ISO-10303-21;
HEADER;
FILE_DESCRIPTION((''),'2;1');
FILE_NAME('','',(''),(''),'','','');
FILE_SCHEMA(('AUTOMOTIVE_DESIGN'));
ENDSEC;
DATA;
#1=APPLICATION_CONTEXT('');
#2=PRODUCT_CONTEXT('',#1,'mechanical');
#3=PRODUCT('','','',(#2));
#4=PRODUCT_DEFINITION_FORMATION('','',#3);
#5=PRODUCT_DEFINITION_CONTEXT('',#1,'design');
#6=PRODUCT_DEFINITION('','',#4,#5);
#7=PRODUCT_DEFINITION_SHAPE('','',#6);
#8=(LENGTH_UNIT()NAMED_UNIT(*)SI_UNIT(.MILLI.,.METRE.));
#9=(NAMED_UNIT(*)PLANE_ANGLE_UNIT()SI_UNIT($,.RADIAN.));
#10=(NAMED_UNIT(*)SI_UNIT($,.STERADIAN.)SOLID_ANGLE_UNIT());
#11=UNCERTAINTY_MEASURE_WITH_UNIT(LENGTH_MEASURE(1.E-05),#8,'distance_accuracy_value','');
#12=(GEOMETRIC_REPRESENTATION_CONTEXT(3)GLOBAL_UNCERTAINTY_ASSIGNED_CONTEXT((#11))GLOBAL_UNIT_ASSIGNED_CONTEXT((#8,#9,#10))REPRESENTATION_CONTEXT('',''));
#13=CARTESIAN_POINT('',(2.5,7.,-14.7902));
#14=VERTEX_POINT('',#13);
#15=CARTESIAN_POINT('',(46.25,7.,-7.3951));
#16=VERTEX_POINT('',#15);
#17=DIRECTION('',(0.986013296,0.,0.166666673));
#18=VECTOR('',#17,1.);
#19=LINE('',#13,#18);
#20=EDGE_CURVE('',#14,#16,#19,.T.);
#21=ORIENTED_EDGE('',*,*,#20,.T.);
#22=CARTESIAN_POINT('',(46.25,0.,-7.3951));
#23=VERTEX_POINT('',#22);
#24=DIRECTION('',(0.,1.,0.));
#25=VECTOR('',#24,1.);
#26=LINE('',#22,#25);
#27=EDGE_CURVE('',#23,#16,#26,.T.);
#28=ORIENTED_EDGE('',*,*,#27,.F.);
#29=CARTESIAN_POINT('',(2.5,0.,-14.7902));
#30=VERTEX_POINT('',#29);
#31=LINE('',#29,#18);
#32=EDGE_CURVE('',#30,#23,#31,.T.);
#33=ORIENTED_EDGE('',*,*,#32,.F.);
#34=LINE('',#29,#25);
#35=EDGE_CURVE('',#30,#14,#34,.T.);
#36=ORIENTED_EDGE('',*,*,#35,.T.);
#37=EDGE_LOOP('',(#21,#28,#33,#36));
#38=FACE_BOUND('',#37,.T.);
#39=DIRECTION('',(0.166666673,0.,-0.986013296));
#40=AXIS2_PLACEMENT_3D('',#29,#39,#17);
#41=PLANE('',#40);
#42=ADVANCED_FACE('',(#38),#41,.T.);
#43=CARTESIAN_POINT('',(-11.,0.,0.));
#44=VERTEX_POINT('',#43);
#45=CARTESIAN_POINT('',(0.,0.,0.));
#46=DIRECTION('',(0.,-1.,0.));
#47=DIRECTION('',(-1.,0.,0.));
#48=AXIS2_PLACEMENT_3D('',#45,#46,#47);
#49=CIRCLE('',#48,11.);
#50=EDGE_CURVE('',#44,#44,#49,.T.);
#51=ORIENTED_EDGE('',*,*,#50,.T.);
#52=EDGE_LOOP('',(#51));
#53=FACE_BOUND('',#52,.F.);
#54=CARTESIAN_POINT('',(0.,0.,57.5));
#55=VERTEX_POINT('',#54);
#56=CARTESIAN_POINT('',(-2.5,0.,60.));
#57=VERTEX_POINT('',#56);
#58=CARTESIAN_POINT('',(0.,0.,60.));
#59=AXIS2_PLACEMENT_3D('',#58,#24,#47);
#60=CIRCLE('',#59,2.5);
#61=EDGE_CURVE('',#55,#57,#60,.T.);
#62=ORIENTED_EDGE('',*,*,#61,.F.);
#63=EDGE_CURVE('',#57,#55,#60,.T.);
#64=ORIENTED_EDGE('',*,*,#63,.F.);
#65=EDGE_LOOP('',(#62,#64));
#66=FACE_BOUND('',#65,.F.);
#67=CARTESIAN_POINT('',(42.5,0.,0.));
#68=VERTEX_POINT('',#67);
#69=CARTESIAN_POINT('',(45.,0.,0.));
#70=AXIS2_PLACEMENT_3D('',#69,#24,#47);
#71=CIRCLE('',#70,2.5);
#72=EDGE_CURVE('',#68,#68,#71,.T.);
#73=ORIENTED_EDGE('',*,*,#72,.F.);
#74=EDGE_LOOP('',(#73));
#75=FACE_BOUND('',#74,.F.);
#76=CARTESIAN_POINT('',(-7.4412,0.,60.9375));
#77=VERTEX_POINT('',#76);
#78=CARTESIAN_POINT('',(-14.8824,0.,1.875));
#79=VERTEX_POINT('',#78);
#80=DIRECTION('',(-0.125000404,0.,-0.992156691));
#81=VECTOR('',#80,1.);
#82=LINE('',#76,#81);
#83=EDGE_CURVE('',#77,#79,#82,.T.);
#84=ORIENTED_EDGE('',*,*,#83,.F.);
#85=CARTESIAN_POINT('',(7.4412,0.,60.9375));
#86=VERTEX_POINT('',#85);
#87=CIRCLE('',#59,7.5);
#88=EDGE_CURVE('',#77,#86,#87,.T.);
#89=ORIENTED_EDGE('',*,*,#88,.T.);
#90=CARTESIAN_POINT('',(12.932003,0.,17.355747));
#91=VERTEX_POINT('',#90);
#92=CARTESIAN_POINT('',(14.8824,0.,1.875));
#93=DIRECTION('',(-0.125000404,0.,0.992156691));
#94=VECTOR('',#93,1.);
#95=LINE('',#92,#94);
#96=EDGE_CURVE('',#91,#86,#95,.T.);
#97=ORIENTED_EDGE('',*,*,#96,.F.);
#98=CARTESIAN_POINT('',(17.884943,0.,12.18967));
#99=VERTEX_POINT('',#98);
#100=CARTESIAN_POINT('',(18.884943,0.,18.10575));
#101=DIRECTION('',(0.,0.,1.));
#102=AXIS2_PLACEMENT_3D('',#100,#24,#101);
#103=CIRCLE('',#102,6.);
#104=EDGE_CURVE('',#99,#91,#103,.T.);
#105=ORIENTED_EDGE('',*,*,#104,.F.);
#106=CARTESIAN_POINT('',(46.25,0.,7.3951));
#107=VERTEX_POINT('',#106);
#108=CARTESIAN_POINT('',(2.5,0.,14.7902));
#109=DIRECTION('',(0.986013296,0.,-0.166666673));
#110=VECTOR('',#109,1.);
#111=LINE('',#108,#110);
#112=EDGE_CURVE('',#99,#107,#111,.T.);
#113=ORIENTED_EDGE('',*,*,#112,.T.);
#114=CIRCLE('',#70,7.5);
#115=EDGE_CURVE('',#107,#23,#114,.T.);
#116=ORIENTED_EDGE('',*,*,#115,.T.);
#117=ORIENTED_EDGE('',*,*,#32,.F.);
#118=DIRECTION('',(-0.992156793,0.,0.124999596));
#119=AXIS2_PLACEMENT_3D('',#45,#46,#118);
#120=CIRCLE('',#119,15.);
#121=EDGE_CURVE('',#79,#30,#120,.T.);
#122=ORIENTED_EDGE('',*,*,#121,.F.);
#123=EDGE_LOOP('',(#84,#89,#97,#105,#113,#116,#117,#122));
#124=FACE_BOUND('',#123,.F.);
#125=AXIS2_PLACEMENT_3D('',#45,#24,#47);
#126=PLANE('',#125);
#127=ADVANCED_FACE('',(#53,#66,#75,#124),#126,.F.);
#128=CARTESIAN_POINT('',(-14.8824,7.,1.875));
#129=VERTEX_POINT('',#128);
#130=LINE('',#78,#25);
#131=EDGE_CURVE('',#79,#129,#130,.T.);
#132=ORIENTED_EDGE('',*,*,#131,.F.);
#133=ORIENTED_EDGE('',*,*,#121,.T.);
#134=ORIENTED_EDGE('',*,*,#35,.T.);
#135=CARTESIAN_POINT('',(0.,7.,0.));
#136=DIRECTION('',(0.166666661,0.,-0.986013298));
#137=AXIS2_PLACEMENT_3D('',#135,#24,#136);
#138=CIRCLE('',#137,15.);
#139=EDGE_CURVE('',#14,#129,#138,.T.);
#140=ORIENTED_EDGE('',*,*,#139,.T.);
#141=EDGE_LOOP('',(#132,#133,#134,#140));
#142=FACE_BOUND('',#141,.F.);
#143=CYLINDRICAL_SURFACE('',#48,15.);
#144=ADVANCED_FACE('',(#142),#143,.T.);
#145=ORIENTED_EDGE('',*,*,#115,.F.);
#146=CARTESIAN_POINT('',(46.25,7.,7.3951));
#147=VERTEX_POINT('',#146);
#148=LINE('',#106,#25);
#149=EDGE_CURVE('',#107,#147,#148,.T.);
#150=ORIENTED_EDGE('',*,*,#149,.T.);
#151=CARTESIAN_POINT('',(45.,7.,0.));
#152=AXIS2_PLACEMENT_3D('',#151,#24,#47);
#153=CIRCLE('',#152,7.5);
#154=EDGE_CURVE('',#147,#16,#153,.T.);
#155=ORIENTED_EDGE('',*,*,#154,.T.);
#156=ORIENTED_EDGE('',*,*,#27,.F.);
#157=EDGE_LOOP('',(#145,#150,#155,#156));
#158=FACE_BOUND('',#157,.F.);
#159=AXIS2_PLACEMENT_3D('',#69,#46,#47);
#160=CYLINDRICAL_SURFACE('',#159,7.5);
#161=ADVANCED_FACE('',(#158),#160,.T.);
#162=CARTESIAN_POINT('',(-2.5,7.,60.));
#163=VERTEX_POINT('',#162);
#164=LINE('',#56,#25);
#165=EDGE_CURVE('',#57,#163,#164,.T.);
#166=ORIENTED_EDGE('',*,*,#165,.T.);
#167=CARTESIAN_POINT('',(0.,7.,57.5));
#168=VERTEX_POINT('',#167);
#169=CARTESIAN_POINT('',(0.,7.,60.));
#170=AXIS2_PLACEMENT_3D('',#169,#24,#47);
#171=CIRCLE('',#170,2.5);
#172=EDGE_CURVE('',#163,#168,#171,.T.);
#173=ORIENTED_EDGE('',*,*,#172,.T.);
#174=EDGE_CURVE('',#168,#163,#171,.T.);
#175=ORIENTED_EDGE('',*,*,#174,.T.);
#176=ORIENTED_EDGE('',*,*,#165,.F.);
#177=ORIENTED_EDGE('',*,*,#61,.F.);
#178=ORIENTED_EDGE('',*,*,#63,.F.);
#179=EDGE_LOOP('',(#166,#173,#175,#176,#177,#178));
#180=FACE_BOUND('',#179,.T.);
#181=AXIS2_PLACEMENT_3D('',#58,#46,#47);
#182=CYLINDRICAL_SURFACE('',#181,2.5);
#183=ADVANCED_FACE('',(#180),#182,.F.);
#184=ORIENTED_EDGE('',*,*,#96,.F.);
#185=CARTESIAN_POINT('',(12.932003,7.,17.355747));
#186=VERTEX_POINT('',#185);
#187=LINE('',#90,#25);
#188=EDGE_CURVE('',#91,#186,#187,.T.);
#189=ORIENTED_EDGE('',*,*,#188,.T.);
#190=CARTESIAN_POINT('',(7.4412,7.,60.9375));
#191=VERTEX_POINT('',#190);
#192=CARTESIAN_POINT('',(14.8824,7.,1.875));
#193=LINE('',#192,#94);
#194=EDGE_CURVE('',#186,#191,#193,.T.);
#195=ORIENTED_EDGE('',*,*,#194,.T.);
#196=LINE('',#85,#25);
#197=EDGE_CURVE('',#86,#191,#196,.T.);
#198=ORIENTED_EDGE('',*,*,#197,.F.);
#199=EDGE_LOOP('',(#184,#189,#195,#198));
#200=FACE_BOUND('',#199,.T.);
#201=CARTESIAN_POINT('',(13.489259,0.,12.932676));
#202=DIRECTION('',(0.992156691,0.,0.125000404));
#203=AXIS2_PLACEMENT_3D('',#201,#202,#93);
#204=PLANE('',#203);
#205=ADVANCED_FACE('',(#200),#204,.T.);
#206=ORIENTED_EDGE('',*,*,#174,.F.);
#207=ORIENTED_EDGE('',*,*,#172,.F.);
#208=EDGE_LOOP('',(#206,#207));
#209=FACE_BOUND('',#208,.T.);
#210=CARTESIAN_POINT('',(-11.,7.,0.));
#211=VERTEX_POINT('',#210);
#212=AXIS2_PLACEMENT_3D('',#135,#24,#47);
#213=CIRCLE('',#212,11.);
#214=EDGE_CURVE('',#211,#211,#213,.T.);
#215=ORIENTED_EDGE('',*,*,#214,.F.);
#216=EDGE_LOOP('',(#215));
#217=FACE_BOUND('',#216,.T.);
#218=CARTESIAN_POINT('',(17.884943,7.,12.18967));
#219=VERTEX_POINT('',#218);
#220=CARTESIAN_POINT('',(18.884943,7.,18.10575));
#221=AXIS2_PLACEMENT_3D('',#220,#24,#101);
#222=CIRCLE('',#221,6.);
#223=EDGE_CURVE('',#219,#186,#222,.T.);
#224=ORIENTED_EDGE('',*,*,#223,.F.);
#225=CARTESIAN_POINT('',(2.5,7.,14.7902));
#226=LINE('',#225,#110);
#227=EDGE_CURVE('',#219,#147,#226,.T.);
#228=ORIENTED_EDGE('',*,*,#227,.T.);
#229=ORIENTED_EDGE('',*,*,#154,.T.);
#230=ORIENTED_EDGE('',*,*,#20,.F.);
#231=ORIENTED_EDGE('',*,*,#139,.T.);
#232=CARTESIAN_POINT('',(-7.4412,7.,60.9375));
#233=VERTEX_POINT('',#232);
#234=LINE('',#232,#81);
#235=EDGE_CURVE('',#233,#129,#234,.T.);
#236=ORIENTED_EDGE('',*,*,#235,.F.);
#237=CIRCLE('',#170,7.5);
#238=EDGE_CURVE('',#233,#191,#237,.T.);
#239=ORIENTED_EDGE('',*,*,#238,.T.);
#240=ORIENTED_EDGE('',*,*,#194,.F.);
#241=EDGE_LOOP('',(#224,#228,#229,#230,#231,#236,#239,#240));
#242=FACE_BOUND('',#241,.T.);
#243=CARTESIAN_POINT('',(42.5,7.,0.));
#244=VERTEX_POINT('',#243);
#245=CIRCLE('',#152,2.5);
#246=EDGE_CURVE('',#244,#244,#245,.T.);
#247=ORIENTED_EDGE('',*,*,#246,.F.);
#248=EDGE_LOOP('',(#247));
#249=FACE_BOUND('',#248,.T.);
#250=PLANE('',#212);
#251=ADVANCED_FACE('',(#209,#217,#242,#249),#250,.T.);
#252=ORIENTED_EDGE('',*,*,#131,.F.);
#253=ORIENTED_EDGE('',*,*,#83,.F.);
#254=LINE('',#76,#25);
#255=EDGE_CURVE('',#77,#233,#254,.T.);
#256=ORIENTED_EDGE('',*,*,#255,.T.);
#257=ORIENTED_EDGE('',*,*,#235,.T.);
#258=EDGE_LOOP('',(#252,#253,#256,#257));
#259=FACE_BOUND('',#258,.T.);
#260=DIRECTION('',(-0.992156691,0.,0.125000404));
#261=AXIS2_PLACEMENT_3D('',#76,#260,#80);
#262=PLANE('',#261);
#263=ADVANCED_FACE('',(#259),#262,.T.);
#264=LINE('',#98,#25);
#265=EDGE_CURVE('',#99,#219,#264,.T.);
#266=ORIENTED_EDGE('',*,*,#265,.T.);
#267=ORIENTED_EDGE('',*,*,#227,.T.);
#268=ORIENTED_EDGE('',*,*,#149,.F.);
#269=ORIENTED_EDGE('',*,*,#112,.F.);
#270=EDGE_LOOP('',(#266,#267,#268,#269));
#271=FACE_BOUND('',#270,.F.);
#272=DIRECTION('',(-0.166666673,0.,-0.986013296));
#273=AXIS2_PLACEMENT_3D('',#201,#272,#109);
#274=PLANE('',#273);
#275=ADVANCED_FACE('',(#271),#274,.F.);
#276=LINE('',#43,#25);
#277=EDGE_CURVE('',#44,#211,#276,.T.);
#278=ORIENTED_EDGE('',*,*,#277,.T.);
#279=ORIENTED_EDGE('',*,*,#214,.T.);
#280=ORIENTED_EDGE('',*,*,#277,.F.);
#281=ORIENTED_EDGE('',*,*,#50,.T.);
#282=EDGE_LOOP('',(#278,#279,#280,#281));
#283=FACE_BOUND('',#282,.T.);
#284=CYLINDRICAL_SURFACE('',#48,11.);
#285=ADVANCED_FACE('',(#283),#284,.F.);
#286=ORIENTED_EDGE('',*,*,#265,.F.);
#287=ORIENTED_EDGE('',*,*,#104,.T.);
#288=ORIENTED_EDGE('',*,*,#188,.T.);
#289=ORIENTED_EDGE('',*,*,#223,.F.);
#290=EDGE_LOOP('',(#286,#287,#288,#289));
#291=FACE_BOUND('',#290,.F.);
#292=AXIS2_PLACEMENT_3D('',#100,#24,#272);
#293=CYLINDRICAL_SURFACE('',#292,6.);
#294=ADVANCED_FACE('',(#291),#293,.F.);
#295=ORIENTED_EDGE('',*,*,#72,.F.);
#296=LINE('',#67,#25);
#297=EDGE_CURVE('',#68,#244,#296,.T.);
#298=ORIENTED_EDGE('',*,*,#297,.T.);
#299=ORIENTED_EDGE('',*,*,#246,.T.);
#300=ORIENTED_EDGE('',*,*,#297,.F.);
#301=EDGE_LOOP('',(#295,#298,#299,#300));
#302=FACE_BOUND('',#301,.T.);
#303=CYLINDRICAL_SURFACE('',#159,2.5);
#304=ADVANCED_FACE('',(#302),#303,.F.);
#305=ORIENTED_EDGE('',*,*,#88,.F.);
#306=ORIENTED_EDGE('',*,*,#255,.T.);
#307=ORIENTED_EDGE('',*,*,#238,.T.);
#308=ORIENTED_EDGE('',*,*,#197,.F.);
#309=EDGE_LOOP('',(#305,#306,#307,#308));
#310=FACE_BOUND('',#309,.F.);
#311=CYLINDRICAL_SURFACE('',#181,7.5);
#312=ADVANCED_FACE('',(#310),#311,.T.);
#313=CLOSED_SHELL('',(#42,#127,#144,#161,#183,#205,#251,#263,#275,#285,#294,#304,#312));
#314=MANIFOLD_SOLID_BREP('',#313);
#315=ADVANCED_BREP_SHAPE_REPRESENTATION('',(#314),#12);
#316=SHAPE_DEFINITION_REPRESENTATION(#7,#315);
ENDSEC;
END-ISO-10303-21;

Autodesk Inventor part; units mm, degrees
ref_plane "YZ Plane" through (0, 0, 0) normal (1, 0, 0) x (0, 1, 0)
ref_plane "XZ Plane" through (0, 0, 0) normal (0, 1, 0) x (-1, 0, 0)
ref_plane "XY Plane" through (0, 0, 0) normal (0, 0, 1) x (1, 0, 0)
sketch "Sketch1" plane through (0, 0, 0) normal (0, 1, 0) x (-1, 0, 0)
  circle A0 centre (0, 0) radius 11
  circle A1 centre (0, 0) radius 15
  circle A2 centre (0, 60) radius 7.5
  circle A3 centre (-45, 0) radius 7.5
  line L0 (0, 60) -> (0, 0)
  line L1 (0, 0) -> (-45, 0)
  line L2 (7.4412, 60.9375) -> (14.8824, 1.875)
  line L3 (-14.8824, 1.875) -> (-7.4412, 60.9375)
  line L4 (-2.5, 14.7902) -> (-46.25, 7.3951)
  line L5 (-2.5, -14.7902) -> (-46.25, -7.3951)
  circle A4 centre (0, 60) radius 2.5
  circle A5 centre (-45, 0) radius 2.5
  point P0 (-13.4892, 12.9327)
  dimension "d0" = 22
  dimension "d1" = 30
  dimension "d2" = 15
  dimension "d3" = 15
  dimension "d4" = 45
  dimension "d5" = 60
  dimension "d6" = 5
  dimension "d7" = 5
extrude "Extrusion1" add sketch "Sketch1" along normal blind 7 contours A0 L0 A1 L1 | A0 L1 A1 L0 | L0 A2 L2 A1 | A1 L4 L3 A2 L0 | L1 A3 L4 L3 A1 | A1 L5 A3 L1 | A1 L3 L4 | A2 | A3
fillet "Fillet1" radius 6 1 edges at (13.4892, 3.5, 12.9327)
properties part number "BellCrank"
